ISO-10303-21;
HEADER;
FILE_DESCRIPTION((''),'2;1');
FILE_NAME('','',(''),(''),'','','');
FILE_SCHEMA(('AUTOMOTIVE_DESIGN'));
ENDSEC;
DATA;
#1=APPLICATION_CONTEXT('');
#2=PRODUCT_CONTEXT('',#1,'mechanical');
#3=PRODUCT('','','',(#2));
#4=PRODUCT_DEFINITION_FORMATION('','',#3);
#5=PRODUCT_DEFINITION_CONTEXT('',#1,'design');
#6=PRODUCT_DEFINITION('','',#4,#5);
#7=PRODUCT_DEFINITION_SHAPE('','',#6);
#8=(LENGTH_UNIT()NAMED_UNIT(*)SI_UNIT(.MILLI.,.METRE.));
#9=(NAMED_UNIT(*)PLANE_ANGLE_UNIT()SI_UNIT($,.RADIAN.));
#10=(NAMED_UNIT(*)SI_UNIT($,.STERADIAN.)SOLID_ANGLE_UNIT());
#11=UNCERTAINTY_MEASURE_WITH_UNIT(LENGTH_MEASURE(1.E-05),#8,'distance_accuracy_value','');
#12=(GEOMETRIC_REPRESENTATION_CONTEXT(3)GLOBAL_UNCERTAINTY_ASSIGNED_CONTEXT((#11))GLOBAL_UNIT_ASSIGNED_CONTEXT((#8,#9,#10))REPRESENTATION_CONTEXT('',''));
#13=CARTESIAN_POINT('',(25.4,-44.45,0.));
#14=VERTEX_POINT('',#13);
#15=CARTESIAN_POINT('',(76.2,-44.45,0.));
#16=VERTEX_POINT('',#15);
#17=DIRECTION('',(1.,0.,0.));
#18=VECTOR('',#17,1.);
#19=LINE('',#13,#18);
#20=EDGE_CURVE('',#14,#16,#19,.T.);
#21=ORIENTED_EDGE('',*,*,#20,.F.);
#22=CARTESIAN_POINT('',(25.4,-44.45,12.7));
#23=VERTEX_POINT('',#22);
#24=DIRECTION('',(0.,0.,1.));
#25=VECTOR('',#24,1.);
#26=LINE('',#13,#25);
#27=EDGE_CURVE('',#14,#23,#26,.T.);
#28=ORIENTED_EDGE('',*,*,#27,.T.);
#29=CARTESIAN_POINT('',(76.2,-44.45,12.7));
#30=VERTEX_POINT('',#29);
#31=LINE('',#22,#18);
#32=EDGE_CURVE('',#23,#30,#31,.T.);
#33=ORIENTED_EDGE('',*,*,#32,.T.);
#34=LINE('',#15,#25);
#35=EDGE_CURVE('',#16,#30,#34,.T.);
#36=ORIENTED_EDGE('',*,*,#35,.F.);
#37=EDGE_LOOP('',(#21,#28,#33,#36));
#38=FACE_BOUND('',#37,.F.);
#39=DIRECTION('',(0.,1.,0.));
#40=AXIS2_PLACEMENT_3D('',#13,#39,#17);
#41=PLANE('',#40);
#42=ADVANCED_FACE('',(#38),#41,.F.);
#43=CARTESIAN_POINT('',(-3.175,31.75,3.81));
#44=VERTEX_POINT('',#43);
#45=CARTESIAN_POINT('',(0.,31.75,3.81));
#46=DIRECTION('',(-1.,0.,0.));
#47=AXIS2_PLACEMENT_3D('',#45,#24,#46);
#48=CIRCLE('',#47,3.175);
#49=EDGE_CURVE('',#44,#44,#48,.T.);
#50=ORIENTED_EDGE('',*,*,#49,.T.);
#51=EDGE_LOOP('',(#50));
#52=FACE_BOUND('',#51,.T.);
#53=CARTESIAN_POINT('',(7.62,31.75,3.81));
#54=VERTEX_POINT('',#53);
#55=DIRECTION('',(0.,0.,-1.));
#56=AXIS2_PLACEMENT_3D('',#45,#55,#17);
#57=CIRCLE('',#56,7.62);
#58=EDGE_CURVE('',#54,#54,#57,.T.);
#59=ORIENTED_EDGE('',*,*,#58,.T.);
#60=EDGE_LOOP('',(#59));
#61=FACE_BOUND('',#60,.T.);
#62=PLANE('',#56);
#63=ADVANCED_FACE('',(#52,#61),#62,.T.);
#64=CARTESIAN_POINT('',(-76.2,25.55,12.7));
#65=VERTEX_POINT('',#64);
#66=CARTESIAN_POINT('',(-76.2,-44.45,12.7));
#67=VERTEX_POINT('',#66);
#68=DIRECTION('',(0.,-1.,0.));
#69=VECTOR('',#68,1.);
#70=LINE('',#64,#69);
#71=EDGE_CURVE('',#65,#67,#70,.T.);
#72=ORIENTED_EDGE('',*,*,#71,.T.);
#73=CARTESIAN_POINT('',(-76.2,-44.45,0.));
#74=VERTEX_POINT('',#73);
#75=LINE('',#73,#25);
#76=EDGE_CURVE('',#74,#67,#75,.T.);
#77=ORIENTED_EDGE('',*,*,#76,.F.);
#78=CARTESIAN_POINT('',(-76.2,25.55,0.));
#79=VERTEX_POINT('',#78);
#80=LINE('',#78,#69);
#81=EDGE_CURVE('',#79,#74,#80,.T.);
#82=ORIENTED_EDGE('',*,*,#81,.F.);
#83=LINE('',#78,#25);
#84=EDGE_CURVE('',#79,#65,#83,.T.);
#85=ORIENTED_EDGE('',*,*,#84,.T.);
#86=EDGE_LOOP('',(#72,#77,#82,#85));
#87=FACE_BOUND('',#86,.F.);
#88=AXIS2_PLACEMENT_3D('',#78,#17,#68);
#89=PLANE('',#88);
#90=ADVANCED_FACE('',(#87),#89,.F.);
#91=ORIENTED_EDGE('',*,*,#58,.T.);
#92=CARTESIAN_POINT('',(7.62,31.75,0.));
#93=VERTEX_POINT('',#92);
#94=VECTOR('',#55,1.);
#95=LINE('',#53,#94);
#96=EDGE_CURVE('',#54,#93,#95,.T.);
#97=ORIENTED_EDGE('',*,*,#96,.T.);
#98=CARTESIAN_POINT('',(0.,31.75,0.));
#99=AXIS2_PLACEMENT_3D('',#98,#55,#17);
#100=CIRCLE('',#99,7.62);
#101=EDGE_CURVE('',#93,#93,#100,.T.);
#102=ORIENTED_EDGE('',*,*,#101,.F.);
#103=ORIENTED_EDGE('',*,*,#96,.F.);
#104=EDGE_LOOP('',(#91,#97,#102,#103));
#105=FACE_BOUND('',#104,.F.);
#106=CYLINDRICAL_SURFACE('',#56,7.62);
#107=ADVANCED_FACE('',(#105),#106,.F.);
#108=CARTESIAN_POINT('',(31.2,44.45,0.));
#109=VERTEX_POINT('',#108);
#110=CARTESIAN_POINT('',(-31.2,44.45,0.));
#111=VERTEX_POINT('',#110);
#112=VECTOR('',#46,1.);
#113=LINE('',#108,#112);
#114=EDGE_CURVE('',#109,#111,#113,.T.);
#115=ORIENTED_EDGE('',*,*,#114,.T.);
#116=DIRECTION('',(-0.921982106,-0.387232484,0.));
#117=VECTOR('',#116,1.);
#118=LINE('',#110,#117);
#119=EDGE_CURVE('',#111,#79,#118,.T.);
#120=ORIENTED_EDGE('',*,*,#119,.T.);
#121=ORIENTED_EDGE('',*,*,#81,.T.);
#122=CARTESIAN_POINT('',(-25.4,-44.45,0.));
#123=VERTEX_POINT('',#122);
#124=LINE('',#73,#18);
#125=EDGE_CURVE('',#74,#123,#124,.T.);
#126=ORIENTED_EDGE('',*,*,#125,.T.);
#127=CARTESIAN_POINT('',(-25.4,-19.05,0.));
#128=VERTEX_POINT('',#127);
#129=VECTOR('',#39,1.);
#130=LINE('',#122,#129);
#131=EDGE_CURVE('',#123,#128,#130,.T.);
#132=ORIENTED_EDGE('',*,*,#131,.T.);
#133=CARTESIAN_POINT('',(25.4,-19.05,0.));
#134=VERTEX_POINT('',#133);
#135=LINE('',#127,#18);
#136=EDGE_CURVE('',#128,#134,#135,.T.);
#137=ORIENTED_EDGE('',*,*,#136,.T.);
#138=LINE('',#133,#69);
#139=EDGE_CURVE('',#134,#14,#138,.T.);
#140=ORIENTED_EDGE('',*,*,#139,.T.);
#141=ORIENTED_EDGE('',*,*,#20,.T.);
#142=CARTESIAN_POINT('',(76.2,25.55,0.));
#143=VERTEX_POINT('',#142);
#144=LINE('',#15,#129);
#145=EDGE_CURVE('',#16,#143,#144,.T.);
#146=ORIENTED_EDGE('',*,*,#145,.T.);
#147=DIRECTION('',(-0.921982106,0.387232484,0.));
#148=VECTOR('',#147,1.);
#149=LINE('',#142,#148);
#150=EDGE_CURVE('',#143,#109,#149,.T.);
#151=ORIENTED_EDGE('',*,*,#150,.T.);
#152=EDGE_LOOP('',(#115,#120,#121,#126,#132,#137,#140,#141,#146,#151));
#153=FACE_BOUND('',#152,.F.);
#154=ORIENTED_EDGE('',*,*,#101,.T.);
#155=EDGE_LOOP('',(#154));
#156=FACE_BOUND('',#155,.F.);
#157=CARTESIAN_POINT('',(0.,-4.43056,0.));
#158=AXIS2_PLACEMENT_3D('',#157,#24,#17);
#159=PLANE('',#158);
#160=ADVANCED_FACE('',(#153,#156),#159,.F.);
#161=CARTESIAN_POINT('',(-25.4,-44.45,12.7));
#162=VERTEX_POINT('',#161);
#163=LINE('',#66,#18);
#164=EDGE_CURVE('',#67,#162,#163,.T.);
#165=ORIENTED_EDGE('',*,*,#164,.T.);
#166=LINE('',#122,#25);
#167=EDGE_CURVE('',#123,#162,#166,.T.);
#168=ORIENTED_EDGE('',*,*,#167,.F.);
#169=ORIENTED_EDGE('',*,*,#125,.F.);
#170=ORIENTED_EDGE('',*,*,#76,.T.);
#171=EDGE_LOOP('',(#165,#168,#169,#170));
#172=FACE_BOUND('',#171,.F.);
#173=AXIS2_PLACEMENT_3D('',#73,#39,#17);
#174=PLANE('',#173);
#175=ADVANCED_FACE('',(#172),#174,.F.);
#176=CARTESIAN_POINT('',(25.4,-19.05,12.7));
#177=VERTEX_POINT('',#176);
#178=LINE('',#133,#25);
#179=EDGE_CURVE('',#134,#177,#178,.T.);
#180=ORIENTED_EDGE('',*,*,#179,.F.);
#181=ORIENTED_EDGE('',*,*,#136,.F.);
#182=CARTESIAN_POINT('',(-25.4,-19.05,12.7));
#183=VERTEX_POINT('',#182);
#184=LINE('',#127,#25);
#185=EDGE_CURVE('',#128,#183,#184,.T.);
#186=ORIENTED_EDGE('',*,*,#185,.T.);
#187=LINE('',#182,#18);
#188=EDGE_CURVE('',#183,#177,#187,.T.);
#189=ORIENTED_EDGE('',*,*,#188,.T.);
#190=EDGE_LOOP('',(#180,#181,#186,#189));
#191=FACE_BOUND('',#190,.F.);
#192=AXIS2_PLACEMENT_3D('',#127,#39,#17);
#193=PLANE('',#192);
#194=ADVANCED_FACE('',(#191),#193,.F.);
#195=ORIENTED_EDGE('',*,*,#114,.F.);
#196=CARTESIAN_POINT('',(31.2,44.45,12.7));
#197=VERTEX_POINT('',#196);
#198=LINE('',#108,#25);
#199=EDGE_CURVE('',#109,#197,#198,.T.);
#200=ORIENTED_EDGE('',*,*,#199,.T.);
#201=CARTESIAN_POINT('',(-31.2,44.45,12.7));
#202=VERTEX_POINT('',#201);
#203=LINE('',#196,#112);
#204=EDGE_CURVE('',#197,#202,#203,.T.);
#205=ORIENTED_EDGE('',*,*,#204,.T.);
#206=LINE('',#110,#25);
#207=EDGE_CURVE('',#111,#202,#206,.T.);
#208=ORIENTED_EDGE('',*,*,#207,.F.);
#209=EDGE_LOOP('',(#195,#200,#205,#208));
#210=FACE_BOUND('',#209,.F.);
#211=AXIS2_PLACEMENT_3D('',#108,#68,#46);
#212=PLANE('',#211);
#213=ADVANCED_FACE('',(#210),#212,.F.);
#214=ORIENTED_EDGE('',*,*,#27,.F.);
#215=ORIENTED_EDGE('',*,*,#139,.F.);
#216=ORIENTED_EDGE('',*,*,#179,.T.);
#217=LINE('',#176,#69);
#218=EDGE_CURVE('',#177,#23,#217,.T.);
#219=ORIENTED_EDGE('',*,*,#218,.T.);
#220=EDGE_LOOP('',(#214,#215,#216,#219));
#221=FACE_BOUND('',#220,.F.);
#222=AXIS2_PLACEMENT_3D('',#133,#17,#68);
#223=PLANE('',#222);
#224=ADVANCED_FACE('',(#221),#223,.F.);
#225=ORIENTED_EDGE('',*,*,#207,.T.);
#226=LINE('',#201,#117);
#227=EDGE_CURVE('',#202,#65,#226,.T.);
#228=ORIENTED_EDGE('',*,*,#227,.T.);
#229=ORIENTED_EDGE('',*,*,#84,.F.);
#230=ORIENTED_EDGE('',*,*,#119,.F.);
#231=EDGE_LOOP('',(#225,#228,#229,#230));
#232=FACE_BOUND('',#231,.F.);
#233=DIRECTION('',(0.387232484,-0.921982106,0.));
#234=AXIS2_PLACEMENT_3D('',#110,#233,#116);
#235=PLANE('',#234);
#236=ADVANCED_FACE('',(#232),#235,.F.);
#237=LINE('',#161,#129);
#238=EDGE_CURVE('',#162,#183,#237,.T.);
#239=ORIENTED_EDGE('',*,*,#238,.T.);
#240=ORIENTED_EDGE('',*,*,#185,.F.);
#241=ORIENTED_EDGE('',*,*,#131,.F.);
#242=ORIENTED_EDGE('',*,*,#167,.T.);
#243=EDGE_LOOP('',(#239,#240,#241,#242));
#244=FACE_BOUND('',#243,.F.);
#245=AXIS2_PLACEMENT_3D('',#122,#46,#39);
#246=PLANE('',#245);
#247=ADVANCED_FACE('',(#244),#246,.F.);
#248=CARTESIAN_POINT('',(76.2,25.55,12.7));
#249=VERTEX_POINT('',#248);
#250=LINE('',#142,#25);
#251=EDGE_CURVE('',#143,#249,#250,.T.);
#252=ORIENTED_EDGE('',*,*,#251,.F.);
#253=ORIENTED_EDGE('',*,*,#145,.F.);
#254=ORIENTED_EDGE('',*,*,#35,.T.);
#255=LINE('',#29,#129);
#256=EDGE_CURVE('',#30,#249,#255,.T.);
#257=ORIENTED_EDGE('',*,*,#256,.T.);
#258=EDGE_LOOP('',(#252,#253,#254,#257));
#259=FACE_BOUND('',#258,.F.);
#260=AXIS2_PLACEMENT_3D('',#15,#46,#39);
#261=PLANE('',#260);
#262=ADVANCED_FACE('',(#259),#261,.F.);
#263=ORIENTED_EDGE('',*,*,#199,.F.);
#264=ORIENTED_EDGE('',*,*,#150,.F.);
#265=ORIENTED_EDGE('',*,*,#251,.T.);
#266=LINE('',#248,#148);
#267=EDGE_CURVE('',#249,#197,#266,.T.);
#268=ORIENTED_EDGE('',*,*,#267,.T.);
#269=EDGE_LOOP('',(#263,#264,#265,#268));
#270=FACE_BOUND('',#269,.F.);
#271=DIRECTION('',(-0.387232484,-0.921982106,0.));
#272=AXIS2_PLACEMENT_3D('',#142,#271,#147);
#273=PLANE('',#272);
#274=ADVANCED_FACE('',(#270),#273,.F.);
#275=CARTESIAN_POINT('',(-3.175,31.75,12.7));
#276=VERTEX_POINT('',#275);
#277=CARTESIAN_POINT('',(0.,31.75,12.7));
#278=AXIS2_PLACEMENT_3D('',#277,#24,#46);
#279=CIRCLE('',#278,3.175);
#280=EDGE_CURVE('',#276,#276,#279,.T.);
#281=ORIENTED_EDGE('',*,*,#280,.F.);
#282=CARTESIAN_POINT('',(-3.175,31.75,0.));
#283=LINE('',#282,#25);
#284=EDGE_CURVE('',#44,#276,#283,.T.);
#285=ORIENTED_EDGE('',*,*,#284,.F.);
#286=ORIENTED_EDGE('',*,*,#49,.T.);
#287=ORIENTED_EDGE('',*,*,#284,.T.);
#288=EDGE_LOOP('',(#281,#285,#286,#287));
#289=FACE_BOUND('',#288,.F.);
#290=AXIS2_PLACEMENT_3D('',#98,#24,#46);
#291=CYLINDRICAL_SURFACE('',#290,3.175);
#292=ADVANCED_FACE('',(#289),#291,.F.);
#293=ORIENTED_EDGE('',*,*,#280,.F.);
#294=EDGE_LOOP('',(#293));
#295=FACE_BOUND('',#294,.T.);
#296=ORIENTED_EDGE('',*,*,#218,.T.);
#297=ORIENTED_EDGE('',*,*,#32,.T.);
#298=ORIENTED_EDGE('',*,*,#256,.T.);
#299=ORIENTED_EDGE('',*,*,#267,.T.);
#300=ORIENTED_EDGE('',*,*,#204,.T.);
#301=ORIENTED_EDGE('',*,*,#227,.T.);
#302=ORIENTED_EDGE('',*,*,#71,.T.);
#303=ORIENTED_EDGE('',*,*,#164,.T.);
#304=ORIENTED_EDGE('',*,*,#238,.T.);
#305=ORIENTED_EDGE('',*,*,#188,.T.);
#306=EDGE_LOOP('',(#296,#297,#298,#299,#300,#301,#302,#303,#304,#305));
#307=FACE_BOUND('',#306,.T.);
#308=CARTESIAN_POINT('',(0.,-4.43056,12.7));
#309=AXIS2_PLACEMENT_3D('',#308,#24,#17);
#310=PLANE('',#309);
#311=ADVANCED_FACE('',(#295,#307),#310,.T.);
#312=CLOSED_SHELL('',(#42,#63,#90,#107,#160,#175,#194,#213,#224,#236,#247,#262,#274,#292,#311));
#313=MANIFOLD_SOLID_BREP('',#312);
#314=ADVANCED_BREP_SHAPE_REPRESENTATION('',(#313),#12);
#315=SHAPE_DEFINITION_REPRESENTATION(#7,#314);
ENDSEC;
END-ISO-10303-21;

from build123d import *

# Parameters (mm, degrees)
F1_DEPTH       = 12.7
F3_D           = 6.35
F3_CBORE_D     = 15.24
F3_CBORE_DEPTH = 3.81


with BuildPart() as f1:
    # F0 (on Top) → F1 (new body)
    with BuildSketch(Plane.XY):
        Polygon((31.2, 44.45), (-31.2, 44.45), (-76.2, 25.55), (-76.2, -44.45), (-25.4, -44.45), (-25.4, -19.05), (0, -19.05), (25.4, -19.05), (25.4, -44.45), (76.2, -44.45), (76.2, 25.55), align=None)
    extrude(amount=F1_DEPTH)

    # F3 (through all)
    with Locations(Plane(origin=(0, 0, 0), x_dir=(1, 0, 0), z_dir=(0, 0, -1))):
        with Locations((0, -31.75)):
            CounterBoreHole(F3_D / 2, F3_CBORE_D / 2, F3_CBORE_DEPTH)


solid = f1.part
